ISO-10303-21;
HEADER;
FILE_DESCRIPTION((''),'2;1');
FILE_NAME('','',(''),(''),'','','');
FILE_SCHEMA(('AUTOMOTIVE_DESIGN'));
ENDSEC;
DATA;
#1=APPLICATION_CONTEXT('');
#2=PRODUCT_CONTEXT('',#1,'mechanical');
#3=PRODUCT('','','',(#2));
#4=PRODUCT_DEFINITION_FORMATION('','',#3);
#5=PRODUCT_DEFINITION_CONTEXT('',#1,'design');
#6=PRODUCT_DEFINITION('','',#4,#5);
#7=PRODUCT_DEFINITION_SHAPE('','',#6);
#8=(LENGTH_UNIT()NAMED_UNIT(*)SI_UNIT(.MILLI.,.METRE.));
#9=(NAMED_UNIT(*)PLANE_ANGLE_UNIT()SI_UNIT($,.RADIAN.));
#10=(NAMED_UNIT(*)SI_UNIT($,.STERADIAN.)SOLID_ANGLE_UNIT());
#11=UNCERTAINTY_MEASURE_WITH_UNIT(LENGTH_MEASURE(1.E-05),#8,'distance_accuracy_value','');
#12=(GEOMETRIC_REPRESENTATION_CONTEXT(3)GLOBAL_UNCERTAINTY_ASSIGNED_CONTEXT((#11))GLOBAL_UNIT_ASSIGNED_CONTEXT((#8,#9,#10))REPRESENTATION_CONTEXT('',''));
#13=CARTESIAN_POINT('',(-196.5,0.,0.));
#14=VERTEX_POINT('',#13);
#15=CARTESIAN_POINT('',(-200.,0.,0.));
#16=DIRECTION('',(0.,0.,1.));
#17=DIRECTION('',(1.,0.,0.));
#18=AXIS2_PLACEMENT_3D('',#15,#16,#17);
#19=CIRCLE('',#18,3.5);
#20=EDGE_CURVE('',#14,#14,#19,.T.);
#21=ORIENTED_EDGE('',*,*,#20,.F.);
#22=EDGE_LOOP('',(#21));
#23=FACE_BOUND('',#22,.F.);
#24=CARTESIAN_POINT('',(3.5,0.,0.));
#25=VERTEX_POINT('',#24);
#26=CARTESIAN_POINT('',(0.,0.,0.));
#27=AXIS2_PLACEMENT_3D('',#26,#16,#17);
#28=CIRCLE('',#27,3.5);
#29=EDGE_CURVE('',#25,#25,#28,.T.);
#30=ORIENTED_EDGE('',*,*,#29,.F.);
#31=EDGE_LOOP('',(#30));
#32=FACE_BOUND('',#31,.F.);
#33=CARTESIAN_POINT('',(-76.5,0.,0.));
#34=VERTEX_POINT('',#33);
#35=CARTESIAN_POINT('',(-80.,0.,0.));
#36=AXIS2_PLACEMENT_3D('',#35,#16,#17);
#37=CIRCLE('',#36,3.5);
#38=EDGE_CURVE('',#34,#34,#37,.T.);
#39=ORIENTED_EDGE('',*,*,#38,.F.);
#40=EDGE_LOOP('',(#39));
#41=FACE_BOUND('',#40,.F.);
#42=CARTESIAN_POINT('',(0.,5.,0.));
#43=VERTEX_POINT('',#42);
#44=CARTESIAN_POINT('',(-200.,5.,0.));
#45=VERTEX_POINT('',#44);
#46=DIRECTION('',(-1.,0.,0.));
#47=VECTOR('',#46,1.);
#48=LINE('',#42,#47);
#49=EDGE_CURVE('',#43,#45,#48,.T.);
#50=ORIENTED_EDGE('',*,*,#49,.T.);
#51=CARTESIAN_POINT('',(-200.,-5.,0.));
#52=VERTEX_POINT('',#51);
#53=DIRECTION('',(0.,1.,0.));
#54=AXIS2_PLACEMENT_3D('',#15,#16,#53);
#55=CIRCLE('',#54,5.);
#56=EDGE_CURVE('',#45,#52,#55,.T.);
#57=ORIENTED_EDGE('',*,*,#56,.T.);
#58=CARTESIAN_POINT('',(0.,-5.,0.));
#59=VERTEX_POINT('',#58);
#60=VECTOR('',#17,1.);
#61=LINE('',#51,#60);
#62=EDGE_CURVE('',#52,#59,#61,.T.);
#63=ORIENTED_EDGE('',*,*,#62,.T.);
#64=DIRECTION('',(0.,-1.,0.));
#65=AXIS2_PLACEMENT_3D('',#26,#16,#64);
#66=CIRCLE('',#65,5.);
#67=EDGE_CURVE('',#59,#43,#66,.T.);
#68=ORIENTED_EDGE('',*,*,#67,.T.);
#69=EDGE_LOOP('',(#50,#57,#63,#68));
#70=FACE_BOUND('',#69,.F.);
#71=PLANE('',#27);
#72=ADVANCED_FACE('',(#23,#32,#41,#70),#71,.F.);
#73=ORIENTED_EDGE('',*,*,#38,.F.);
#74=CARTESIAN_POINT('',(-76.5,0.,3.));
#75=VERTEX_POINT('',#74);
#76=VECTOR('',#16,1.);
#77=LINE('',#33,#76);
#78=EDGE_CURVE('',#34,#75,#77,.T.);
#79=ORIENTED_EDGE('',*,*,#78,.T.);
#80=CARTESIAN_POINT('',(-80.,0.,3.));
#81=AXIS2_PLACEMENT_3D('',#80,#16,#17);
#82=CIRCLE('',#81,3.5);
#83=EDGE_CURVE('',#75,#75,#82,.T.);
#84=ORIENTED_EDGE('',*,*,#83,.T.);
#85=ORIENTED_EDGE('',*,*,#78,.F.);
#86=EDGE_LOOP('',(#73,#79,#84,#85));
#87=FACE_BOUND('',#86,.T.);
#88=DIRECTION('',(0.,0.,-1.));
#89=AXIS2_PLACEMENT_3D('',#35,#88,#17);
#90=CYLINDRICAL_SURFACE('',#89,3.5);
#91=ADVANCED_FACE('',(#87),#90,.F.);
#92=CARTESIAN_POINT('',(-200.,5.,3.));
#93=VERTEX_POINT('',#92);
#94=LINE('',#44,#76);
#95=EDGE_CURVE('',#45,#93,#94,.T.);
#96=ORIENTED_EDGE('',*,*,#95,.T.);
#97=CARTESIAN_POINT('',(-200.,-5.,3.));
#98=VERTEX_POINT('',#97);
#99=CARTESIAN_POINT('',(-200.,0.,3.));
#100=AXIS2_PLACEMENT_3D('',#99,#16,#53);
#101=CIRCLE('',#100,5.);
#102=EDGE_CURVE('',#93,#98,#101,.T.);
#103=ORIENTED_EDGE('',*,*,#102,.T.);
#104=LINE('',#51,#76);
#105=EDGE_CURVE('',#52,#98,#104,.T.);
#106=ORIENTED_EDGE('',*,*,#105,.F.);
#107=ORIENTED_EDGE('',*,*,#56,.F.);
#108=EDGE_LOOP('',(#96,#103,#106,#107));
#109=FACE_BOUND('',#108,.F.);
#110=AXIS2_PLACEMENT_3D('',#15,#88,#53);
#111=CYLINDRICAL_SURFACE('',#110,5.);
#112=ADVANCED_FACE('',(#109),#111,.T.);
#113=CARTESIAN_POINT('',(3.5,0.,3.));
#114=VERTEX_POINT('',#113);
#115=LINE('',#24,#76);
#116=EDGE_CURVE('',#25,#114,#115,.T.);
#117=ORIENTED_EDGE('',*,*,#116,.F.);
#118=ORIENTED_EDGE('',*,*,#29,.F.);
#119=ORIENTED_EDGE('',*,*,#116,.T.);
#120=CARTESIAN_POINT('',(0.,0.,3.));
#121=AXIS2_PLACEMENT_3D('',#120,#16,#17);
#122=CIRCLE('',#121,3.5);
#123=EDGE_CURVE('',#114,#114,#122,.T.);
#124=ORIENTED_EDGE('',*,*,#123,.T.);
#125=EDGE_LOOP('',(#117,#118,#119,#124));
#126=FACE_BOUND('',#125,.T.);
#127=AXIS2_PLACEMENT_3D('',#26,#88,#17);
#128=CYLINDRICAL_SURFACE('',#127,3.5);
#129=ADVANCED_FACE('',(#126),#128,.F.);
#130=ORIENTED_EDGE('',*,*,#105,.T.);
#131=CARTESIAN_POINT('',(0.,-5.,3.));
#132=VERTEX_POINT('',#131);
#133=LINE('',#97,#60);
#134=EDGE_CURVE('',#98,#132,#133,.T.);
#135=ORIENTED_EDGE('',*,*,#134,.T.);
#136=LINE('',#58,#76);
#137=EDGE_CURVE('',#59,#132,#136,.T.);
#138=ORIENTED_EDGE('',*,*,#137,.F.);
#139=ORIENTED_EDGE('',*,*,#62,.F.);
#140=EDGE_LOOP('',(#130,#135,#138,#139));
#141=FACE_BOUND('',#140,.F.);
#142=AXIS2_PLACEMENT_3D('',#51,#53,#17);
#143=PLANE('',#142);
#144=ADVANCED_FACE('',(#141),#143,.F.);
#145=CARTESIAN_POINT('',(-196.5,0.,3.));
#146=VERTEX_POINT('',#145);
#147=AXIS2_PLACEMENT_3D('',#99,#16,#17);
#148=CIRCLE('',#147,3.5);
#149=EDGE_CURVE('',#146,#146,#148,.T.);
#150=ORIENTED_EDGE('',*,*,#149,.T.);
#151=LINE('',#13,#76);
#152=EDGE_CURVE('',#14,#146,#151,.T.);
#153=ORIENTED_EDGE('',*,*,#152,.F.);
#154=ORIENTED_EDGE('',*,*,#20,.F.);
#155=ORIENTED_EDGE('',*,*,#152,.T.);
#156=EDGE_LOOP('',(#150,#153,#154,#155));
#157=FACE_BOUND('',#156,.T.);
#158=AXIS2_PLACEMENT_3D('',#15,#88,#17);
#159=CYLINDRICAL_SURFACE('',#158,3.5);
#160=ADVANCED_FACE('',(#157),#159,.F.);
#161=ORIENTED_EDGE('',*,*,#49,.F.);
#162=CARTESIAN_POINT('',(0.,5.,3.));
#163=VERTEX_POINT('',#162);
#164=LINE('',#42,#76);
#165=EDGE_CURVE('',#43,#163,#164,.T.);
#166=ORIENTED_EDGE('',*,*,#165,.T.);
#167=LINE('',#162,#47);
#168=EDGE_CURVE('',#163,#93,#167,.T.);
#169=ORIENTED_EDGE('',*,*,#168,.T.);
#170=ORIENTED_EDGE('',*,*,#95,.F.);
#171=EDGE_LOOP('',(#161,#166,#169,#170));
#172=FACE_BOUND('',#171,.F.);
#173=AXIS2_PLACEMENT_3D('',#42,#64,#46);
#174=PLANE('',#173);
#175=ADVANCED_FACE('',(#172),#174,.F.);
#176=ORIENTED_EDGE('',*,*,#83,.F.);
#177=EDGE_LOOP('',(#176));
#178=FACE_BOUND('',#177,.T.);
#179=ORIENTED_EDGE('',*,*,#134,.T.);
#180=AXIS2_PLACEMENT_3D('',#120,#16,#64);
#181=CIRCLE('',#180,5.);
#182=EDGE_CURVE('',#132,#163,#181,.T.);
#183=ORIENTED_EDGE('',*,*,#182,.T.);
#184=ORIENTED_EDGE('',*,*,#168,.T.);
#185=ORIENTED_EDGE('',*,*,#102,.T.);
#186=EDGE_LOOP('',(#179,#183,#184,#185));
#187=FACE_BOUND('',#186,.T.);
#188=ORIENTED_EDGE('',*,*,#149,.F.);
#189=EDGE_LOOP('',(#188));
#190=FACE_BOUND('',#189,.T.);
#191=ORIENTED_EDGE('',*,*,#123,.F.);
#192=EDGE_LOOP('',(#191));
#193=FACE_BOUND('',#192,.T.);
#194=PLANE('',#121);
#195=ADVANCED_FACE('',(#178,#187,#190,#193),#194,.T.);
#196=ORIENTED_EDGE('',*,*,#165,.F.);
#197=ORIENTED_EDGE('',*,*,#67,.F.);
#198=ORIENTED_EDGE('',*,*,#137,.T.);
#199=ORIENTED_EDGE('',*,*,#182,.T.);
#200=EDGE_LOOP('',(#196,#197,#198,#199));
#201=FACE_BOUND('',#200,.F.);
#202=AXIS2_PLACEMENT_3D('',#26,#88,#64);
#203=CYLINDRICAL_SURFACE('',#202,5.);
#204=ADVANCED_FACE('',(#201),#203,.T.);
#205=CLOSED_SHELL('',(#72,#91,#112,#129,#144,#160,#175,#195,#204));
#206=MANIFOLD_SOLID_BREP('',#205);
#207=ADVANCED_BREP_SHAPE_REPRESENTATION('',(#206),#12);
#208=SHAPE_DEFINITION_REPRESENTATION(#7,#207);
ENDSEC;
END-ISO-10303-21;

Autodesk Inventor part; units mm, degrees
ref_plane "YZ Plane" through (0, 0, 0) normal (1, 0, 0) x (0, 1, 0)
ref_plane "XZ Plane" through (0, 0, 0) normal (0, 1, 0) x (-1, 0, 0)
ref_plane "XY Plane" through (0, 0, 0) normal (0, 0, 1) x (1, 0, 0)
sketch "草圖1" plane through (0, 0, 0) normal (0, 0, 1) x (1, 0, 0)
  line L0 (-200, 0) -> (0, 0) construction
  line L1 (-200, -5) -> (0, -5)
  line L2 (0, 5) -> (-200, 5)
  arc A0 (-200, 5) -> (-200, -5) centre (-200, 0) ccw
  arc A1 (0, -5) -> (0, 5) centre (0, 0) ccw
  circle A2 centre (-200, 0) radius 3.5
  circle A3 centre (0, 0) radius 3.5
  circle A4 centre (-80, 0) radius 3.5
  point P0 (-100, 0)
  dimension "d0" = 200
  dimension "d1" = 10
  dimension "d3" = 7
  dimension "d23" = 120
extrude "擠出1" add sketch "草圖1" along normal blind 3
sketch "草圖4" plane through (0, 0, 3) normal (0, 0, 1) x (1, 0, 0)
  line L0 (-202.932, -0.7895) -> (-200.36, -2.1968)
  arc A0 (-200.36, -2.1968) -> (-199.64, -2.1968) centre (-200, -1.5389) ccw
  line L1 (-199.64, -2.1968) -> (-197.068, -0.7895)
  arc A1 (-197.068, -0.7895) -> (-197.068, 0.7895) centre (-197.5, 0) ccw
  line L2 (-197.068, 0.7895) -> (-199.64, 2.1968)
  arc A2 (-199.64, 2.1968) -> (-200.36, 2.1968) centre (-200, 1.5389) ccw
  line L3 (-200.36, 2.1968) -> (-202.932, 0.7895)
  arc A3 (-202.932, 0.7895) -> (-202.932, -0.7895) centre (-202.5, 0) ccw
  circle A4 centre (-200, 0) radius 1.55
  circle A5 centre (-200, 0) radius 3.5 projected
  point P0 (0, 0)
extrude "擠出3" [suppressed]
sketch "草圖6" plane through (0, 0, 3) normal (0, 0, 1) x (1, 0, 0)
  arc A0 (0, -5) -> (0, 5) centre (0, 0) ccw projected
  line L0 (0, 5) -> (-200, 5) projected
  arc A1 (-200, 5) -> (-200, -5) centre (-200, 0) ccw projected
  line L1 (-200, -5) -> (0, -5) projected
  circle A2 centre (-80, 0) radius 3.5 projected
  circle A3 centre (0, 0) radius 3.5 projected
  circle A4 centre (-200, 0) radius 3.5 projected
properties part number "0605_2"
